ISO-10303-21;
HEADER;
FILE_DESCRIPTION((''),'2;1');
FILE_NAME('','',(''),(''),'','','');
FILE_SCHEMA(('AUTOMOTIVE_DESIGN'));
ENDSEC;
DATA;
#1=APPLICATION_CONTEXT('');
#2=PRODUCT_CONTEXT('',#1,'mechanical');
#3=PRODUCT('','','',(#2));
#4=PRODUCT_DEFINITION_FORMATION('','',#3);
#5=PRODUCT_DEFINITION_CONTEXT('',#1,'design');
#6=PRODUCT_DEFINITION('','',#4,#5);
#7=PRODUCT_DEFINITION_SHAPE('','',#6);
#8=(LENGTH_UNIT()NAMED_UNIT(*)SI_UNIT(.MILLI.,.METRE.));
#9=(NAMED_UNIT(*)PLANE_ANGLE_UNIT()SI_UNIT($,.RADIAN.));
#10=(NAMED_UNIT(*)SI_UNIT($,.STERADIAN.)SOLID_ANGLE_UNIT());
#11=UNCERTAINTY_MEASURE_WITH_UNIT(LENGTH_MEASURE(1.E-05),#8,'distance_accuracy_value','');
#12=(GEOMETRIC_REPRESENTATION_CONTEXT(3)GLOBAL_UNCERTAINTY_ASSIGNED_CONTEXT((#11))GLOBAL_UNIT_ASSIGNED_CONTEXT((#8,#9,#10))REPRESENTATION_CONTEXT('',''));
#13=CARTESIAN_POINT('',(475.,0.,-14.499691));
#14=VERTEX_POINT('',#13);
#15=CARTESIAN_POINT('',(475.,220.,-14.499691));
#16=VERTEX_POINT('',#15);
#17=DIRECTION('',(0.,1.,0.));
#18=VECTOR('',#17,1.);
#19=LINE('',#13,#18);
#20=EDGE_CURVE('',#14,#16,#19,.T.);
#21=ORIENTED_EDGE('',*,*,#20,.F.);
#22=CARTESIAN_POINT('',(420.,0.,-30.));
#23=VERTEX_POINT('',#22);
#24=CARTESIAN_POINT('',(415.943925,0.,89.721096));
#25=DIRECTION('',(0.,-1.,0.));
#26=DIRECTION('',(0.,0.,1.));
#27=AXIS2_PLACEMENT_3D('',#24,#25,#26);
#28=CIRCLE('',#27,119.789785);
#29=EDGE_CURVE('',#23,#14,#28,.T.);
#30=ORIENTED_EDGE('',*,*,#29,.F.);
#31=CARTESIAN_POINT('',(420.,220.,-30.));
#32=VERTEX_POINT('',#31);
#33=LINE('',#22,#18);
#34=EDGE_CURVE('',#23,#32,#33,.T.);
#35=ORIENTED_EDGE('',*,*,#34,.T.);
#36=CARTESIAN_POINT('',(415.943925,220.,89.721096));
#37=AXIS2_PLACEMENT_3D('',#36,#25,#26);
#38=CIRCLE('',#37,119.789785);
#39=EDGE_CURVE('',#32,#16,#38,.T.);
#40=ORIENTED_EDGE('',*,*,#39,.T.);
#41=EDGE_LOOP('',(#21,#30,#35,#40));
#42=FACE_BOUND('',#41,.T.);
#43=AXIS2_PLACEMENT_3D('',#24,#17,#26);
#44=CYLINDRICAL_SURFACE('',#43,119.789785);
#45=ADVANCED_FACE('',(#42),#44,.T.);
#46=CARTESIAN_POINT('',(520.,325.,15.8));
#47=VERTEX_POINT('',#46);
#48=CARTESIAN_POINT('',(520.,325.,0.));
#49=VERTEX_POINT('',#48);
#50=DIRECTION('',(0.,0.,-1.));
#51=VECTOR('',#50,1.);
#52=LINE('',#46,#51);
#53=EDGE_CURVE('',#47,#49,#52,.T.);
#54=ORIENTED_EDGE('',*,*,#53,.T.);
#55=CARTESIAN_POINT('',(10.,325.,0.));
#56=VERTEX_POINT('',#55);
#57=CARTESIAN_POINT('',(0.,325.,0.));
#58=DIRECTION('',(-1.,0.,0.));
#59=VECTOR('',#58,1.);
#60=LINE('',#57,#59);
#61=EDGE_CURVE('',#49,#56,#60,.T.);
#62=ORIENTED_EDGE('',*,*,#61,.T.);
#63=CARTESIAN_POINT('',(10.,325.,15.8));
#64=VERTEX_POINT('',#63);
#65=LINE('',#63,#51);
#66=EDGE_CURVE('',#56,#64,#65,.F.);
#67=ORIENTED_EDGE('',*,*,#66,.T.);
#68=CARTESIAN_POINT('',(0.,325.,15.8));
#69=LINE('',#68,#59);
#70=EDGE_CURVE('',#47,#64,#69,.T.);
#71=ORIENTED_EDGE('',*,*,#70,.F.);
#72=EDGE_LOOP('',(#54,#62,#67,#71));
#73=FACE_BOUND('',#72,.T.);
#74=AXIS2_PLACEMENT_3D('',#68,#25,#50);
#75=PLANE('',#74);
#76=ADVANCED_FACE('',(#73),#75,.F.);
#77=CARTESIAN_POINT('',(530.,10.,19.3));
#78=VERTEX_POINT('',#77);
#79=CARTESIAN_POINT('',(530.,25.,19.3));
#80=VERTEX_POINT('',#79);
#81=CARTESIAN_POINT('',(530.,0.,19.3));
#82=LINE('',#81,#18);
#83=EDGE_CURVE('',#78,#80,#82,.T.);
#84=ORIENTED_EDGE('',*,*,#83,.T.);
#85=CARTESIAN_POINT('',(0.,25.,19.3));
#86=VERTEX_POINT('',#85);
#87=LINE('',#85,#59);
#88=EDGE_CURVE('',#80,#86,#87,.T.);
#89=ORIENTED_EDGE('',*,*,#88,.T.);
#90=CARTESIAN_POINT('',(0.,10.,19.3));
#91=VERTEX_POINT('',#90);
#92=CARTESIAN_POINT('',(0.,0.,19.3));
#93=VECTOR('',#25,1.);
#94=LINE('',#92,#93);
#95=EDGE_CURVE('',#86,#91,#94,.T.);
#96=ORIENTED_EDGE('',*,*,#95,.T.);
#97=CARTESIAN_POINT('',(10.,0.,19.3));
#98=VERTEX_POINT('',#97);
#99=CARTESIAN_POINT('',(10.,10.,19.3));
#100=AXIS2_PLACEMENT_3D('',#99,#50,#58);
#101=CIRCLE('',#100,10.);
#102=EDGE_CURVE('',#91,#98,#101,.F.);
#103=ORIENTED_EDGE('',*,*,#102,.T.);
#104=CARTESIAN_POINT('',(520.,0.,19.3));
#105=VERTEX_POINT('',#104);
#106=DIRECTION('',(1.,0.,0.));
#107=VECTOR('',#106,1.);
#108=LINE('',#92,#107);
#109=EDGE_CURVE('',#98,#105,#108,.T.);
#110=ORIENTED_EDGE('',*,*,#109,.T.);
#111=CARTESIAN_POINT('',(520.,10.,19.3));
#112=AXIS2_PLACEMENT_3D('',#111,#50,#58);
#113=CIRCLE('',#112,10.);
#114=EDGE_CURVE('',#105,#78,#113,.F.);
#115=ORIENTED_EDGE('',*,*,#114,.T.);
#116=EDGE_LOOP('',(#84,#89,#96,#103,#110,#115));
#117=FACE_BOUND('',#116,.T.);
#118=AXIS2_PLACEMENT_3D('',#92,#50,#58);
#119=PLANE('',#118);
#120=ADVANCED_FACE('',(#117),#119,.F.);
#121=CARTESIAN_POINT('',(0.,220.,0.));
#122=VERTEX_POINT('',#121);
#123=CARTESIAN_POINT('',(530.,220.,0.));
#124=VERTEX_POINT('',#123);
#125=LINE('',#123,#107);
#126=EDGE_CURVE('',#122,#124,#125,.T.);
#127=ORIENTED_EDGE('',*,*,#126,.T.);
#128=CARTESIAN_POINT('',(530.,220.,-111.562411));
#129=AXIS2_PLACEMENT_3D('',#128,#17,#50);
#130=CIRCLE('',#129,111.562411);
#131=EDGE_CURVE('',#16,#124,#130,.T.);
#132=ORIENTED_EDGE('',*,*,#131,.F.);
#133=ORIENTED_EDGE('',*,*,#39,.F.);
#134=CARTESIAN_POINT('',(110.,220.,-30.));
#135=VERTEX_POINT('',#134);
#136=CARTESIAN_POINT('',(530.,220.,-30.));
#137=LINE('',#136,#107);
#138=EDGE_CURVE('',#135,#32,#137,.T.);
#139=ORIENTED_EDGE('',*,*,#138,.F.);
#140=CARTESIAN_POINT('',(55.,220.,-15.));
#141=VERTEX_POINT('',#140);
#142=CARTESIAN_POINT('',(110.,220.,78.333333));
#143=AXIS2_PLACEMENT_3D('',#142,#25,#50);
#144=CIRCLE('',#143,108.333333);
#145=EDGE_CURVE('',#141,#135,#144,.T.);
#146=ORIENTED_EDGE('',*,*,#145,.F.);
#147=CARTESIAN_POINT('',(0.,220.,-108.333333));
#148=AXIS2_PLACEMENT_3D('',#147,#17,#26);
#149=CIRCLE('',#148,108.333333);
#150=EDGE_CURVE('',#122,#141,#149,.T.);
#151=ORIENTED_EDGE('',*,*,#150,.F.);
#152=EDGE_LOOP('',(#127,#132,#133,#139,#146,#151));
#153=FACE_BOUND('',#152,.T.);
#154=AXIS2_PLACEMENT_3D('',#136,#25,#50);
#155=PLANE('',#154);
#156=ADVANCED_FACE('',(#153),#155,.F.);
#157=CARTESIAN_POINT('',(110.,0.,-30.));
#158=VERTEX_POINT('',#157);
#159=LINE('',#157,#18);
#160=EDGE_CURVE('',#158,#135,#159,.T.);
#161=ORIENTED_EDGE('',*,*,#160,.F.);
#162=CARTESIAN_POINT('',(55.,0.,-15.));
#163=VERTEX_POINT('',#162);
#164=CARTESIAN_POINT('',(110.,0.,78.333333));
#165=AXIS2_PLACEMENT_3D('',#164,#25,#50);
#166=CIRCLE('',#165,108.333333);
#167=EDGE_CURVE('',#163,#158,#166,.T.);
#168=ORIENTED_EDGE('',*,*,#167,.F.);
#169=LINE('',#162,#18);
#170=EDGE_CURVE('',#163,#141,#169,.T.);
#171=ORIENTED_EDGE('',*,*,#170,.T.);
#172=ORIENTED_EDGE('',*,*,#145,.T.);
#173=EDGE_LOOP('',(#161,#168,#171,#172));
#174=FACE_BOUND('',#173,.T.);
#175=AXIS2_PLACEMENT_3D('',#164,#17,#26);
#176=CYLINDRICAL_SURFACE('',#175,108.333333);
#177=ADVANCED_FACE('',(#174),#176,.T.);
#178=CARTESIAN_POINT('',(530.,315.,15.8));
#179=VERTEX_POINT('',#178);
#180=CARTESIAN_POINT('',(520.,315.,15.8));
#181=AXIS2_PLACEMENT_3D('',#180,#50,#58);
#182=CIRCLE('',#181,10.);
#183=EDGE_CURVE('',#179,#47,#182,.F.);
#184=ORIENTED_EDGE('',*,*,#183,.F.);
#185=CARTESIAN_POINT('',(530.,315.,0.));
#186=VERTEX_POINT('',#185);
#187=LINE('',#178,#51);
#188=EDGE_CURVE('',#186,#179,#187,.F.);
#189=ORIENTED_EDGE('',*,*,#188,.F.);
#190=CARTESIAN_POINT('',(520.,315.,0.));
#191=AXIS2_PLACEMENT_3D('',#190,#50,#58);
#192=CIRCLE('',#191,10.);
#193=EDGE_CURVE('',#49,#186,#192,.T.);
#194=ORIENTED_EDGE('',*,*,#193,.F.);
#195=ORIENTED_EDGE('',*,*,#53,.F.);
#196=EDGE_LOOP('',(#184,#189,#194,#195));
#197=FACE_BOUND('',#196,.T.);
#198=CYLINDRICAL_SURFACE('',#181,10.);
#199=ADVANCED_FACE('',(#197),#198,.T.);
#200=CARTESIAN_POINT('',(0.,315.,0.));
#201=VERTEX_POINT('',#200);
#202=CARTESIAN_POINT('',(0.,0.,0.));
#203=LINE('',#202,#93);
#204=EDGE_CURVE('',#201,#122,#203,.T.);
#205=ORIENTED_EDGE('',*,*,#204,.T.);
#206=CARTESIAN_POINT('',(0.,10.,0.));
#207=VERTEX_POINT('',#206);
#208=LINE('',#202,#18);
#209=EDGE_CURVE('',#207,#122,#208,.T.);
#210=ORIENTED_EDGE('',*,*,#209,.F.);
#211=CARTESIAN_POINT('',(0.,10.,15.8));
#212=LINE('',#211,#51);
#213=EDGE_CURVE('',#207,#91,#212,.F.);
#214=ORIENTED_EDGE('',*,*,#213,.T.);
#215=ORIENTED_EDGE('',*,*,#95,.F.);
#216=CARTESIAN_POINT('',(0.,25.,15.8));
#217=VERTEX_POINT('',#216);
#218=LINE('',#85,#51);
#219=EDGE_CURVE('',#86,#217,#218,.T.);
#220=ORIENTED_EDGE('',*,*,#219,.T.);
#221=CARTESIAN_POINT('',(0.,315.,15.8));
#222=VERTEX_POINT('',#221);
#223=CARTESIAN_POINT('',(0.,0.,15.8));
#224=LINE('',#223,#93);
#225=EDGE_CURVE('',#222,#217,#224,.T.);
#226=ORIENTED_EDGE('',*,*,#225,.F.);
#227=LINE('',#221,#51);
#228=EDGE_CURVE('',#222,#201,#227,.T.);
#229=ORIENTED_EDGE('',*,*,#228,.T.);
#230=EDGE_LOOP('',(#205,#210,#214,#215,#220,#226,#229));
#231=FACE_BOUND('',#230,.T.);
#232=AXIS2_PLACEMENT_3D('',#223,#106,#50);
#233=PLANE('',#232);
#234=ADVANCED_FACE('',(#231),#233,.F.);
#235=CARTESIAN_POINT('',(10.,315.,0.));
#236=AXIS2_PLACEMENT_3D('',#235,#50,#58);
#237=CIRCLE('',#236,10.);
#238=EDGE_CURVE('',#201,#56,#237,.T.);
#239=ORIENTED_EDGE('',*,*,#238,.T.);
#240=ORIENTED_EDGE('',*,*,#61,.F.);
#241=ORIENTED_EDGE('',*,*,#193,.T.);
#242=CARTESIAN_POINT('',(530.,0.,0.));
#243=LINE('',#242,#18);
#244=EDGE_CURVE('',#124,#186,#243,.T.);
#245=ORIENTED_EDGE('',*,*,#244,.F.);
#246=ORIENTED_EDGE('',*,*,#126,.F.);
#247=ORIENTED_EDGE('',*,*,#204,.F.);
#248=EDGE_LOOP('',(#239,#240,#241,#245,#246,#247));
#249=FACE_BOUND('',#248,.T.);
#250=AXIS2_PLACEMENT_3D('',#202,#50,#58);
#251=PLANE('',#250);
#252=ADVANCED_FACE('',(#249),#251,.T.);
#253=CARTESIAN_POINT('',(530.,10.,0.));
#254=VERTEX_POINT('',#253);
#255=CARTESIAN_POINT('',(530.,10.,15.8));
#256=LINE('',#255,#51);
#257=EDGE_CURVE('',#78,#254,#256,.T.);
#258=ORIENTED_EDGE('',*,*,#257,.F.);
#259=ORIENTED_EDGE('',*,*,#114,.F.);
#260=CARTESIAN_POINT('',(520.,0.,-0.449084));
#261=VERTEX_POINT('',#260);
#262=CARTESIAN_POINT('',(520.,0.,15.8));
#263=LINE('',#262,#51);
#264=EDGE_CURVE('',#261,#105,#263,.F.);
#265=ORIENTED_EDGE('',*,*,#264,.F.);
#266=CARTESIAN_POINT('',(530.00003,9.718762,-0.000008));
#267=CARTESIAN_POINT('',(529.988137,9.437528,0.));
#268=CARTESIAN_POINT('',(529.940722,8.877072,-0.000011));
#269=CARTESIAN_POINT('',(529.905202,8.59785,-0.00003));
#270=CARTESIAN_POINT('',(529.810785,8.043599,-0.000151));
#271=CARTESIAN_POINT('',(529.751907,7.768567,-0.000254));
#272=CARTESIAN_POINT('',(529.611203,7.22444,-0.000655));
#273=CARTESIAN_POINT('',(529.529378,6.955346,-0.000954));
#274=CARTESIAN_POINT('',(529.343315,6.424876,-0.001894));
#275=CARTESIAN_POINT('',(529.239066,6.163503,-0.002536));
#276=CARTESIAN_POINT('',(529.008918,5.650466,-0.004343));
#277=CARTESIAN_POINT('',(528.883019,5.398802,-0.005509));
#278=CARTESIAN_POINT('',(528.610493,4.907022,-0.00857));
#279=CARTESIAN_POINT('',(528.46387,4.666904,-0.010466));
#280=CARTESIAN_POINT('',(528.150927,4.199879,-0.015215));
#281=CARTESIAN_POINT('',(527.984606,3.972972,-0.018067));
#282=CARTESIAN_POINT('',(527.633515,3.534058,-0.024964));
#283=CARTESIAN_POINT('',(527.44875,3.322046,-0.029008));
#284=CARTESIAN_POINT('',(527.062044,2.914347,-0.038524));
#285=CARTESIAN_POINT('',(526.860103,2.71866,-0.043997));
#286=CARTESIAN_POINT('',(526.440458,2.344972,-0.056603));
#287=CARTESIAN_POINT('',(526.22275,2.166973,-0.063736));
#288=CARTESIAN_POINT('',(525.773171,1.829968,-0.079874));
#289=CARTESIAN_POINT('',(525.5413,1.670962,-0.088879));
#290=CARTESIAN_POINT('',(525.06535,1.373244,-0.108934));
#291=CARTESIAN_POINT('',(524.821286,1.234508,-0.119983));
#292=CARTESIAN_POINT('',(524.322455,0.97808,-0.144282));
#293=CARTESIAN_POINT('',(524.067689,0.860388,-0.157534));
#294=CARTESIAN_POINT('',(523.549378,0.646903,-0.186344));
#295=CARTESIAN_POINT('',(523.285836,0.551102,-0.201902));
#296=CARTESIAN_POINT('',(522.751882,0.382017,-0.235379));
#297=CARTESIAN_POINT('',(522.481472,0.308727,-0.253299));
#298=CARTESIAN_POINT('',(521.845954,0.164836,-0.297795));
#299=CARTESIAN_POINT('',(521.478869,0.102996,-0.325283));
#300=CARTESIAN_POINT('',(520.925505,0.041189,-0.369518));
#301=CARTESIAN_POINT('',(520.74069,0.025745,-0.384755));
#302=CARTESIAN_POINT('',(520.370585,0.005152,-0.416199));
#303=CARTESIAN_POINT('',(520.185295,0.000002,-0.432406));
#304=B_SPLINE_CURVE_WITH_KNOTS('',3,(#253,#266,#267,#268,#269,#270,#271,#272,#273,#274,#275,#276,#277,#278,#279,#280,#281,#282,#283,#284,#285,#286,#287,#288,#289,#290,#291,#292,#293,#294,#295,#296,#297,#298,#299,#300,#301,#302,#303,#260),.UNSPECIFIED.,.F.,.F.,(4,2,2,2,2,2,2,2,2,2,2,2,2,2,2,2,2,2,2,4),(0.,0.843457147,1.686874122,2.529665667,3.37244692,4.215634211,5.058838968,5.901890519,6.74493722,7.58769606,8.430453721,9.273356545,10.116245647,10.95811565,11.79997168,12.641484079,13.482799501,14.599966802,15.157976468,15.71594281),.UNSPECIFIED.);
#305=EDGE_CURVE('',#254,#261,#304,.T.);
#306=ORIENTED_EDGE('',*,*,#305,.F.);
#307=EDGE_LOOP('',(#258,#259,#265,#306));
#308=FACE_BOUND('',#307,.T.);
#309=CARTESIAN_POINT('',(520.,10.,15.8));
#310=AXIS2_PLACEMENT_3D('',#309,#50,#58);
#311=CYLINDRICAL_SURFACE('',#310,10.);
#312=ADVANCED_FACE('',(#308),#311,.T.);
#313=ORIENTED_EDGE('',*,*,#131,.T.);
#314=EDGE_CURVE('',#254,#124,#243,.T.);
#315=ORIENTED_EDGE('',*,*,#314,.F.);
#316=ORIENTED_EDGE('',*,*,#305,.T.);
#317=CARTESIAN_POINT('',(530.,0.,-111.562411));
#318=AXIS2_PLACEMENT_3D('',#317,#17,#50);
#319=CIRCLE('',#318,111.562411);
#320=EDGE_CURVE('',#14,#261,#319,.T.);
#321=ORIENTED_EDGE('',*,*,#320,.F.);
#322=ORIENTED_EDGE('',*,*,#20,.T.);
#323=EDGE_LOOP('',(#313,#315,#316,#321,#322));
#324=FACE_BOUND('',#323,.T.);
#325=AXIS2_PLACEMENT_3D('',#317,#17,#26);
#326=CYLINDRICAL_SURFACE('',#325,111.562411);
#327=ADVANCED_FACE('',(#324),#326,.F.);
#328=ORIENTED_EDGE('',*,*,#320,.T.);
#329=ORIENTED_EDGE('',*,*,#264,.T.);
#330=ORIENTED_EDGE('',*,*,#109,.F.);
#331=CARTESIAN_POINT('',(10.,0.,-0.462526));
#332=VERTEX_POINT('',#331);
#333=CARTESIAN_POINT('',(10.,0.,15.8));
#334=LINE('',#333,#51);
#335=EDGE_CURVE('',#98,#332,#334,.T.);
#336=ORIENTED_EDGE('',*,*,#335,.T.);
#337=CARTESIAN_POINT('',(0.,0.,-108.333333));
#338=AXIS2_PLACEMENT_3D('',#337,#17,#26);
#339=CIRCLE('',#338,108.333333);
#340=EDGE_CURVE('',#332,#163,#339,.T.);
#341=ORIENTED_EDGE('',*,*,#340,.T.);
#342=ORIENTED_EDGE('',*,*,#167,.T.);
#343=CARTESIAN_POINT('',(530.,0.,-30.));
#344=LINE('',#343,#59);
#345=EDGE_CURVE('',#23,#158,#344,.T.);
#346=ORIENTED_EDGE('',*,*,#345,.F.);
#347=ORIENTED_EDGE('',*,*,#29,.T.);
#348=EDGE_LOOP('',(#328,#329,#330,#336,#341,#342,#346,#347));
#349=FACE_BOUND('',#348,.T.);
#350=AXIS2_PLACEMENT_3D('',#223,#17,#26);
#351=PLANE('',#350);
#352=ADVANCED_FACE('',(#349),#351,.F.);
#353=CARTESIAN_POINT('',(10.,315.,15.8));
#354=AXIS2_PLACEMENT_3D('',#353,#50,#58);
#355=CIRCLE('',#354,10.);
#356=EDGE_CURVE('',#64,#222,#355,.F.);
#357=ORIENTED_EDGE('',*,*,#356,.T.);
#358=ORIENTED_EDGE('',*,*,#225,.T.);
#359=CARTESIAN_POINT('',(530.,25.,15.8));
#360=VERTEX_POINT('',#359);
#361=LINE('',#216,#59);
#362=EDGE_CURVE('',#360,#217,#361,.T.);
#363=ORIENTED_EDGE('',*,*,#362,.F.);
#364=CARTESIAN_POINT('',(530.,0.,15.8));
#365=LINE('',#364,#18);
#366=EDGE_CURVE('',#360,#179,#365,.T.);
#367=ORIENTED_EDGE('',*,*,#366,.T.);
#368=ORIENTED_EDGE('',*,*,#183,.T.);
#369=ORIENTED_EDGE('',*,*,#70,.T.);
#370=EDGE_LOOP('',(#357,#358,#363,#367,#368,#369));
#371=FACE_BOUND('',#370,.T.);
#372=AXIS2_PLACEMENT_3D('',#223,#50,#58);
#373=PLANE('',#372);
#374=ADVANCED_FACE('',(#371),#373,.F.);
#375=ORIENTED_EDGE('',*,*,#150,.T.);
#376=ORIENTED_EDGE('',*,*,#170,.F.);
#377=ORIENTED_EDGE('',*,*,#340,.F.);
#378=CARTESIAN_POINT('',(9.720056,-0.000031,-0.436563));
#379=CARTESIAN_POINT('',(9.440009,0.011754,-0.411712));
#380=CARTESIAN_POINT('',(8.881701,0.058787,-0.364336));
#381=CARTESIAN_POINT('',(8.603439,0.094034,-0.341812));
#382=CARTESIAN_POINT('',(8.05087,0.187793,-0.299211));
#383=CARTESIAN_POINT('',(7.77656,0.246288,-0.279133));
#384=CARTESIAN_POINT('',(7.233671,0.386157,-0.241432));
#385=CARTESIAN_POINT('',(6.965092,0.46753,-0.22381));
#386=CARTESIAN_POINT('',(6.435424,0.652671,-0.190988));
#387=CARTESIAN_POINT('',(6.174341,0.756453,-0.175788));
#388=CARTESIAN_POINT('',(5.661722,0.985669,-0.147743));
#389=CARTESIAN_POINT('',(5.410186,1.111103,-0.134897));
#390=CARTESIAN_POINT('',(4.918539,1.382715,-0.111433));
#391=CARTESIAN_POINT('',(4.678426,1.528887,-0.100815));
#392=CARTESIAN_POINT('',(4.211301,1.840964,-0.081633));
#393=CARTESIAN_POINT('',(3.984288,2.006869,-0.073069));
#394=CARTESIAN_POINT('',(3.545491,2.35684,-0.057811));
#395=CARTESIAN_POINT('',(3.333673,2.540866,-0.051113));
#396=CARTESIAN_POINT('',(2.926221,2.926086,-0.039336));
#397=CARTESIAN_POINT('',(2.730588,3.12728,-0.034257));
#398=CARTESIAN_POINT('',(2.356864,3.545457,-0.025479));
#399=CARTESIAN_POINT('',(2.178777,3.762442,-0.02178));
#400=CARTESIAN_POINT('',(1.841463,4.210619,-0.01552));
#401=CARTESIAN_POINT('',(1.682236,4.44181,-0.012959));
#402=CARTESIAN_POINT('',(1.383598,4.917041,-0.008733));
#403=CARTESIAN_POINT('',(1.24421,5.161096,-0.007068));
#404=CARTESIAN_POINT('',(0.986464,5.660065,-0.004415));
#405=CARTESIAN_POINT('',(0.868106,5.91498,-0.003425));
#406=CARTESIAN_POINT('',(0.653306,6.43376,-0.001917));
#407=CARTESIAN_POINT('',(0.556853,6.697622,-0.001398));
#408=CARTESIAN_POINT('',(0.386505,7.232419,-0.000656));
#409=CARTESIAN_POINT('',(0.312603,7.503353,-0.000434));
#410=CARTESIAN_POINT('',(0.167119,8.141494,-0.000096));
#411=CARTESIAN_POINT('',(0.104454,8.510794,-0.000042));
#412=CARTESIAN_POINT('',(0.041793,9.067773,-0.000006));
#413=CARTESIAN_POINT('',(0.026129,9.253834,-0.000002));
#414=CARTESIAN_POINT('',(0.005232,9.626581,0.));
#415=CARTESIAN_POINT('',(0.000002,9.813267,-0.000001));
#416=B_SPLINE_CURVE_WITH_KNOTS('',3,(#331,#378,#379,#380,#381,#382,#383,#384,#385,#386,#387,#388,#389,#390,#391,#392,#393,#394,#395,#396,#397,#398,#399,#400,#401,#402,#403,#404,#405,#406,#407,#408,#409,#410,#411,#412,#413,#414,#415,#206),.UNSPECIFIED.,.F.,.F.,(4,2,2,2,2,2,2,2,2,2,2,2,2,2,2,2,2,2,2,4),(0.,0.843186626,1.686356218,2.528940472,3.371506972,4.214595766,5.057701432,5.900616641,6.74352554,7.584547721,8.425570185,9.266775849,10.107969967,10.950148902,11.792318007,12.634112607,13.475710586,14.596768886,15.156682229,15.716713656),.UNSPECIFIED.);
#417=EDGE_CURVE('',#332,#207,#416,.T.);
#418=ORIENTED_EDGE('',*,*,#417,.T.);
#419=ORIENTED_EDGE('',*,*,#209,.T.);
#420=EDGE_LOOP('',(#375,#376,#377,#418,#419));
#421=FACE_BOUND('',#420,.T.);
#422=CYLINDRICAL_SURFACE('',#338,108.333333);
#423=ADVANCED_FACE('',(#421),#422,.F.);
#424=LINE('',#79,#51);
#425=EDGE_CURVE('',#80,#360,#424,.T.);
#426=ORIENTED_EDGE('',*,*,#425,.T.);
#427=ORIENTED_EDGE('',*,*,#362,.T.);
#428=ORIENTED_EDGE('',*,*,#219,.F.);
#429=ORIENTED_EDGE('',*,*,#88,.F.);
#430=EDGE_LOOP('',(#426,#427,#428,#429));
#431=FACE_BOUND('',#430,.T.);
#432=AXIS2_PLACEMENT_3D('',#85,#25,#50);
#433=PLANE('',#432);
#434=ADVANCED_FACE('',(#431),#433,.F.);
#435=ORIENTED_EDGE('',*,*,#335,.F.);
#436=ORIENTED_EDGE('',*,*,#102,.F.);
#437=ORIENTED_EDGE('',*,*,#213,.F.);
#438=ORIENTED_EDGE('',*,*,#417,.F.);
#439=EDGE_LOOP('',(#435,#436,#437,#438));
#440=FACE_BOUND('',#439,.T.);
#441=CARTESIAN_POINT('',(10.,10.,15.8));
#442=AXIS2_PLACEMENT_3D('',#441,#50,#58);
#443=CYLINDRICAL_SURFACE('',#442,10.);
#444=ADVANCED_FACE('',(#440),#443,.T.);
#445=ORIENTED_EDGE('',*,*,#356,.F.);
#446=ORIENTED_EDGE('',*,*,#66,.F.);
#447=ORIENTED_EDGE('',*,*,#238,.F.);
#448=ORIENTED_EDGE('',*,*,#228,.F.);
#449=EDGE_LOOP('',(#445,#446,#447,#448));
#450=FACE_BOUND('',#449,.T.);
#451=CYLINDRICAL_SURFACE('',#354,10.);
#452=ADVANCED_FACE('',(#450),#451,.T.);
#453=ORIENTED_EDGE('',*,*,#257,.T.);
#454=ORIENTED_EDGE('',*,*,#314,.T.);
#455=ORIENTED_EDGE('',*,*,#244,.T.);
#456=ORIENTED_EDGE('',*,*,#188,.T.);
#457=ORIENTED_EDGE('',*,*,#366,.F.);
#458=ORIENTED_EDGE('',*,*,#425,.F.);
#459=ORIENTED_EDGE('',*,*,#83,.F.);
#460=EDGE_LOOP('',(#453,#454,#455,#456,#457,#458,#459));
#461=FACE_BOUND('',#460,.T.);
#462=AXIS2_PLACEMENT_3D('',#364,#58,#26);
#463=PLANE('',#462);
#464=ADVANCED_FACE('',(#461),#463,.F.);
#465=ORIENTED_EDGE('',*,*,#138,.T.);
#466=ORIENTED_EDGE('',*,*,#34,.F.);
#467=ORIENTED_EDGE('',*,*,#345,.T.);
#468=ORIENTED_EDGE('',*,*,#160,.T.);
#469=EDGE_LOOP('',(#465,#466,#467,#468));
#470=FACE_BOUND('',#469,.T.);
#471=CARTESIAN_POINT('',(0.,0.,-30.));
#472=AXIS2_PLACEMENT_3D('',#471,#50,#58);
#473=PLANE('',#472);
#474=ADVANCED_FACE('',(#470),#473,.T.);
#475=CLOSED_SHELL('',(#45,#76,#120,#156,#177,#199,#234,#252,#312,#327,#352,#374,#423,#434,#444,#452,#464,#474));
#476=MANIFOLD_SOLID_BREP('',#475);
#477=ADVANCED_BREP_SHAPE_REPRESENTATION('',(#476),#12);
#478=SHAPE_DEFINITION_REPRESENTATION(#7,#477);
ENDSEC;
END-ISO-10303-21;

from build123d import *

# Parameters (mm, degrees)
ESBO_O1_W                = 530
ESBO_O1_H                = 325
RESSALTO_EXTRUS_O1_DEPTH = 15.8
ESBO_O2_W                = 530
ESBO_O2_H                = 25
RESSALTO_EXTRUS_O2_DEPTH = 3.5
ESBO_O3_W                = 530
ESBO_O3_H                = 220
RESSALTO_EXTRUS_O3_DEPTH = 30
CORTE_EXTRUS_O1_DEPTH    = 221
CORTE_EXTRUS_O2_DEPTH    = 221
FILETE2_R                = 10


with BuildPart() as part:
    # Esboço1 → Ressalto-extrusão1 (new body)
    with BuildSketch(Plane.XY):
        with Locations((265, 162.5)):
            Rectangle(ESBO_O1_W, ESBO_O1_H)
    extrude(amount=RESSALTO_EXTRUS_O1_DEPTH)

    # Esboço2 → Ressalto-extrusão2 (add)
    with BuildSketch(Plane.XY.offset(15.8)):
        with Locations((265, 12.5)):
            Rectangle(ESBO_O2_W, ESBO_O2_H)
    extrude(amount=RESSALTO_EXTRUS_O2_DEPTH)

    # Esboço3 → Ressalto-extrusão3 (add)
    with BuildSketch(Plane(origin=(0, 0, 0), x_dir=(-1, 0, 0), z_dir=(0, 0, -1))):
        with Locations((-265, 110)):
            Rectangle(ESBO_O3_W, ESBO_O3_H)
    extrude(amount=RESSALTO_EXTRUS_O3_DEPTH)

    # Esboço4 → Corte-extrusão1 (cut, through all)
    with BuildSketch(Plane(origin=(0, 220, 0), x_dir=(1, 0, 0), z_dir=(0, 1, 0))):
        with BuildLine():
            Line((530, 0), (530, 30))
            Line((530, 30), (420, 30))
            ThreePointArc((420, 30), (448.437782273, 25.577393935), (475, 14.499691353))
            ThreePointArc((475, 14.499691353), (501.560410299, 3.685808879), (530, 0))
        make_face()
    extrude(amount=-CORTE_EXTRUS_O1_DEPTH, mode=Mode.SUBTRACT)

    # Esboço6 → Corte-extrusão2 (cut, through all)
    with BuildSketch(Plane(origin=(0, 220, 0), x_dir=(1, 0, 0), z_dir=(0, 1, 0))):
        with BuildLine():
            Line((0, 0), (0, 30))
            Line((0, 30), (110, 30))
            ThreePointArc((110, 30), (81.495614373, 26.182747301), (55, 15))
            ThreePointArc((55, 15), (28.504385627, 3.817252699), (0, 0))
        make_face()
    extrude(amount=-CORTE_EXTRUS_O2_DEPTH, mode=Mode.SUBTRACT)

    # Filete2
    filete2_edges = [part.edges().sort_by_distance(p)[0] for p in [
        (0, 325, 7.9),
        (530, 325, 7.9),
        (530, 0, 9.65),
        (0, 0, 9.65),
    ]]
    fillet(filete2_edges, radius=FILETE2_R)


solid = part.part
